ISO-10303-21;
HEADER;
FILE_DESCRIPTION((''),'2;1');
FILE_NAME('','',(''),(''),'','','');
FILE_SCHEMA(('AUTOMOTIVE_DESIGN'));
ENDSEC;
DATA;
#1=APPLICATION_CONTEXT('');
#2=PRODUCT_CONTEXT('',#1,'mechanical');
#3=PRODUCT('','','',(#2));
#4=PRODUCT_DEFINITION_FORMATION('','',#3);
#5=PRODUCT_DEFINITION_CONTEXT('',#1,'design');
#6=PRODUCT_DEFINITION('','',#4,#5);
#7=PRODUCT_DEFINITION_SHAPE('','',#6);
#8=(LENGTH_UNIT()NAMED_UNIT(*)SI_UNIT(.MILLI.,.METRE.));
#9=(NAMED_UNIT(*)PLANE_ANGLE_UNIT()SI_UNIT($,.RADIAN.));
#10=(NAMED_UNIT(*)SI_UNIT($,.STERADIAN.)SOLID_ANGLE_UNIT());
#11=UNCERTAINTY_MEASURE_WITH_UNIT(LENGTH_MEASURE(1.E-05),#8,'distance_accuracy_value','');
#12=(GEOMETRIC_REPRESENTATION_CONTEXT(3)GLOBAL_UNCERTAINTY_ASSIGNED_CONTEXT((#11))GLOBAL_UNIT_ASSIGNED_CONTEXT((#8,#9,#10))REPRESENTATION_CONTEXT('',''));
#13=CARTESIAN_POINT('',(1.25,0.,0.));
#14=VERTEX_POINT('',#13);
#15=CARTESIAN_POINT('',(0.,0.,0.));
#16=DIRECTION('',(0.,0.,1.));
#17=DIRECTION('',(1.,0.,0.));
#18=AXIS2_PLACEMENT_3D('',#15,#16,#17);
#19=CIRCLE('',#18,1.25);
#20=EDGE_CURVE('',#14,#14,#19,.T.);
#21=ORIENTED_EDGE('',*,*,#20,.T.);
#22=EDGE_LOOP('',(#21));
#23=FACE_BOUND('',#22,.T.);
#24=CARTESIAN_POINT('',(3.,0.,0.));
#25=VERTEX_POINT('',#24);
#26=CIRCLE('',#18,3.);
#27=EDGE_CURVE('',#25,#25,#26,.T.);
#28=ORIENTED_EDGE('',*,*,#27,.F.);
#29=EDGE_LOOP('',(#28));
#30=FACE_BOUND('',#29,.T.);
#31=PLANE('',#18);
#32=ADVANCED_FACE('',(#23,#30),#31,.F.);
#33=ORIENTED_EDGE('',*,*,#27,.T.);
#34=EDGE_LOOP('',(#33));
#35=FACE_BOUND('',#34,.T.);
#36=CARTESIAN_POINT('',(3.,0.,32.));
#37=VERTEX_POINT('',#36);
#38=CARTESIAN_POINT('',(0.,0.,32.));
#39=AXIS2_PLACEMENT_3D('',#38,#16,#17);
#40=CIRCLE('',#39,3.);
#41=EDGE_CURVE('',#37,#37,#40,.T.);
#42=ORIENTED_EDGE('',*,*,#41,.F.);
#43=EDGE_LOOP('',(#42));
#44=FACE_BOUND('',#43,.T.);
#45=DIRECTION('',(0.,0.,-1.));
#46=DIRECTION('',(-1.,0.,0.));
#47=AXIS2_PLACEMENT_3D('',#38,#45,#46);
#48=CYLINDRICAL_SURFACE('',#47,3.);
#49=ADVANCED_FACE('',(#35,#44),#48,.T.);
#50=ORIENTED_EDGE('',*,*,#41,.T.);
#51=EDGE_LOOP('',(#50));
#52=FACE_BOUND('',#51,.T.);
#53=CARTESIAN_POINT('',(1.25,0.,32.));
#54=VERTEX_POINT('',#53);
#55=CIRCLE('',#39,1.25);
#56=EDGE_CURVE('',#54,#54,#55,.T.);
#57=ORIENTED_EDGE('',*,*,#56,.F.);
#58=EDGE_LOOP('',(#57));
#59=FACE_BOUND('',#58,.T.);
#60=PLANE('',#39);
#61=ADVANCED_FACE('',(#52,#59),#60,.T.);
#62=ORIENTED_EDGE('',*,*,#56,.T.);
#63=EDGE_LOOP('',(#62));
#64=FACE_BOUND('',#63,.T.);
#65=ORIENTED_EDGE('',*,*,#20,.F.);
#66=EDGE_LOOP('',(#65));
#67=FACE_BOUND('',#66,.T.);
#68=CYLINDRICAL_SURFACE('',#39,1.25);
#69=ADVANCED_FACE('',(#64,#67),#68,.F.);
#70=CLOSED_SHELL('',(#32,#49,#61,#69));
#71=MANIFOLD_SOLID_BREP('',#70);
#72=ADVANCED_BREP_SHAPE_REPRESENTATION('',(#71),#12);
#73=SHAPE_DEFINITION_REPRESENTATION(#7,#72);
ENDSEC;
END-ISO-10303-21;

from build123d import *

# Parameters (mm, degrees)
SKETCH1_R           = 3
BOSS_EXTRUDE1_DEPTH = 32
M3_TAPPED_HOLE1_D   = 2.5


with BuildPart() as part:
    # Sketch1 → Boss-Extrude1 (new body)
    with BuildSketch(Plane.XY):
        Circle(SKETCH1_R)
    extrude(amount=BOSS_EXTRUDE1_DEPTH)

    # M3 Tapped Hole1 (through all)
    with Locations(Plane.XY.offset(32)):
        with Locations((0, 0)):
            Hole(M3_TAPPED_HOLE1_D / 2)


solid = part.part
